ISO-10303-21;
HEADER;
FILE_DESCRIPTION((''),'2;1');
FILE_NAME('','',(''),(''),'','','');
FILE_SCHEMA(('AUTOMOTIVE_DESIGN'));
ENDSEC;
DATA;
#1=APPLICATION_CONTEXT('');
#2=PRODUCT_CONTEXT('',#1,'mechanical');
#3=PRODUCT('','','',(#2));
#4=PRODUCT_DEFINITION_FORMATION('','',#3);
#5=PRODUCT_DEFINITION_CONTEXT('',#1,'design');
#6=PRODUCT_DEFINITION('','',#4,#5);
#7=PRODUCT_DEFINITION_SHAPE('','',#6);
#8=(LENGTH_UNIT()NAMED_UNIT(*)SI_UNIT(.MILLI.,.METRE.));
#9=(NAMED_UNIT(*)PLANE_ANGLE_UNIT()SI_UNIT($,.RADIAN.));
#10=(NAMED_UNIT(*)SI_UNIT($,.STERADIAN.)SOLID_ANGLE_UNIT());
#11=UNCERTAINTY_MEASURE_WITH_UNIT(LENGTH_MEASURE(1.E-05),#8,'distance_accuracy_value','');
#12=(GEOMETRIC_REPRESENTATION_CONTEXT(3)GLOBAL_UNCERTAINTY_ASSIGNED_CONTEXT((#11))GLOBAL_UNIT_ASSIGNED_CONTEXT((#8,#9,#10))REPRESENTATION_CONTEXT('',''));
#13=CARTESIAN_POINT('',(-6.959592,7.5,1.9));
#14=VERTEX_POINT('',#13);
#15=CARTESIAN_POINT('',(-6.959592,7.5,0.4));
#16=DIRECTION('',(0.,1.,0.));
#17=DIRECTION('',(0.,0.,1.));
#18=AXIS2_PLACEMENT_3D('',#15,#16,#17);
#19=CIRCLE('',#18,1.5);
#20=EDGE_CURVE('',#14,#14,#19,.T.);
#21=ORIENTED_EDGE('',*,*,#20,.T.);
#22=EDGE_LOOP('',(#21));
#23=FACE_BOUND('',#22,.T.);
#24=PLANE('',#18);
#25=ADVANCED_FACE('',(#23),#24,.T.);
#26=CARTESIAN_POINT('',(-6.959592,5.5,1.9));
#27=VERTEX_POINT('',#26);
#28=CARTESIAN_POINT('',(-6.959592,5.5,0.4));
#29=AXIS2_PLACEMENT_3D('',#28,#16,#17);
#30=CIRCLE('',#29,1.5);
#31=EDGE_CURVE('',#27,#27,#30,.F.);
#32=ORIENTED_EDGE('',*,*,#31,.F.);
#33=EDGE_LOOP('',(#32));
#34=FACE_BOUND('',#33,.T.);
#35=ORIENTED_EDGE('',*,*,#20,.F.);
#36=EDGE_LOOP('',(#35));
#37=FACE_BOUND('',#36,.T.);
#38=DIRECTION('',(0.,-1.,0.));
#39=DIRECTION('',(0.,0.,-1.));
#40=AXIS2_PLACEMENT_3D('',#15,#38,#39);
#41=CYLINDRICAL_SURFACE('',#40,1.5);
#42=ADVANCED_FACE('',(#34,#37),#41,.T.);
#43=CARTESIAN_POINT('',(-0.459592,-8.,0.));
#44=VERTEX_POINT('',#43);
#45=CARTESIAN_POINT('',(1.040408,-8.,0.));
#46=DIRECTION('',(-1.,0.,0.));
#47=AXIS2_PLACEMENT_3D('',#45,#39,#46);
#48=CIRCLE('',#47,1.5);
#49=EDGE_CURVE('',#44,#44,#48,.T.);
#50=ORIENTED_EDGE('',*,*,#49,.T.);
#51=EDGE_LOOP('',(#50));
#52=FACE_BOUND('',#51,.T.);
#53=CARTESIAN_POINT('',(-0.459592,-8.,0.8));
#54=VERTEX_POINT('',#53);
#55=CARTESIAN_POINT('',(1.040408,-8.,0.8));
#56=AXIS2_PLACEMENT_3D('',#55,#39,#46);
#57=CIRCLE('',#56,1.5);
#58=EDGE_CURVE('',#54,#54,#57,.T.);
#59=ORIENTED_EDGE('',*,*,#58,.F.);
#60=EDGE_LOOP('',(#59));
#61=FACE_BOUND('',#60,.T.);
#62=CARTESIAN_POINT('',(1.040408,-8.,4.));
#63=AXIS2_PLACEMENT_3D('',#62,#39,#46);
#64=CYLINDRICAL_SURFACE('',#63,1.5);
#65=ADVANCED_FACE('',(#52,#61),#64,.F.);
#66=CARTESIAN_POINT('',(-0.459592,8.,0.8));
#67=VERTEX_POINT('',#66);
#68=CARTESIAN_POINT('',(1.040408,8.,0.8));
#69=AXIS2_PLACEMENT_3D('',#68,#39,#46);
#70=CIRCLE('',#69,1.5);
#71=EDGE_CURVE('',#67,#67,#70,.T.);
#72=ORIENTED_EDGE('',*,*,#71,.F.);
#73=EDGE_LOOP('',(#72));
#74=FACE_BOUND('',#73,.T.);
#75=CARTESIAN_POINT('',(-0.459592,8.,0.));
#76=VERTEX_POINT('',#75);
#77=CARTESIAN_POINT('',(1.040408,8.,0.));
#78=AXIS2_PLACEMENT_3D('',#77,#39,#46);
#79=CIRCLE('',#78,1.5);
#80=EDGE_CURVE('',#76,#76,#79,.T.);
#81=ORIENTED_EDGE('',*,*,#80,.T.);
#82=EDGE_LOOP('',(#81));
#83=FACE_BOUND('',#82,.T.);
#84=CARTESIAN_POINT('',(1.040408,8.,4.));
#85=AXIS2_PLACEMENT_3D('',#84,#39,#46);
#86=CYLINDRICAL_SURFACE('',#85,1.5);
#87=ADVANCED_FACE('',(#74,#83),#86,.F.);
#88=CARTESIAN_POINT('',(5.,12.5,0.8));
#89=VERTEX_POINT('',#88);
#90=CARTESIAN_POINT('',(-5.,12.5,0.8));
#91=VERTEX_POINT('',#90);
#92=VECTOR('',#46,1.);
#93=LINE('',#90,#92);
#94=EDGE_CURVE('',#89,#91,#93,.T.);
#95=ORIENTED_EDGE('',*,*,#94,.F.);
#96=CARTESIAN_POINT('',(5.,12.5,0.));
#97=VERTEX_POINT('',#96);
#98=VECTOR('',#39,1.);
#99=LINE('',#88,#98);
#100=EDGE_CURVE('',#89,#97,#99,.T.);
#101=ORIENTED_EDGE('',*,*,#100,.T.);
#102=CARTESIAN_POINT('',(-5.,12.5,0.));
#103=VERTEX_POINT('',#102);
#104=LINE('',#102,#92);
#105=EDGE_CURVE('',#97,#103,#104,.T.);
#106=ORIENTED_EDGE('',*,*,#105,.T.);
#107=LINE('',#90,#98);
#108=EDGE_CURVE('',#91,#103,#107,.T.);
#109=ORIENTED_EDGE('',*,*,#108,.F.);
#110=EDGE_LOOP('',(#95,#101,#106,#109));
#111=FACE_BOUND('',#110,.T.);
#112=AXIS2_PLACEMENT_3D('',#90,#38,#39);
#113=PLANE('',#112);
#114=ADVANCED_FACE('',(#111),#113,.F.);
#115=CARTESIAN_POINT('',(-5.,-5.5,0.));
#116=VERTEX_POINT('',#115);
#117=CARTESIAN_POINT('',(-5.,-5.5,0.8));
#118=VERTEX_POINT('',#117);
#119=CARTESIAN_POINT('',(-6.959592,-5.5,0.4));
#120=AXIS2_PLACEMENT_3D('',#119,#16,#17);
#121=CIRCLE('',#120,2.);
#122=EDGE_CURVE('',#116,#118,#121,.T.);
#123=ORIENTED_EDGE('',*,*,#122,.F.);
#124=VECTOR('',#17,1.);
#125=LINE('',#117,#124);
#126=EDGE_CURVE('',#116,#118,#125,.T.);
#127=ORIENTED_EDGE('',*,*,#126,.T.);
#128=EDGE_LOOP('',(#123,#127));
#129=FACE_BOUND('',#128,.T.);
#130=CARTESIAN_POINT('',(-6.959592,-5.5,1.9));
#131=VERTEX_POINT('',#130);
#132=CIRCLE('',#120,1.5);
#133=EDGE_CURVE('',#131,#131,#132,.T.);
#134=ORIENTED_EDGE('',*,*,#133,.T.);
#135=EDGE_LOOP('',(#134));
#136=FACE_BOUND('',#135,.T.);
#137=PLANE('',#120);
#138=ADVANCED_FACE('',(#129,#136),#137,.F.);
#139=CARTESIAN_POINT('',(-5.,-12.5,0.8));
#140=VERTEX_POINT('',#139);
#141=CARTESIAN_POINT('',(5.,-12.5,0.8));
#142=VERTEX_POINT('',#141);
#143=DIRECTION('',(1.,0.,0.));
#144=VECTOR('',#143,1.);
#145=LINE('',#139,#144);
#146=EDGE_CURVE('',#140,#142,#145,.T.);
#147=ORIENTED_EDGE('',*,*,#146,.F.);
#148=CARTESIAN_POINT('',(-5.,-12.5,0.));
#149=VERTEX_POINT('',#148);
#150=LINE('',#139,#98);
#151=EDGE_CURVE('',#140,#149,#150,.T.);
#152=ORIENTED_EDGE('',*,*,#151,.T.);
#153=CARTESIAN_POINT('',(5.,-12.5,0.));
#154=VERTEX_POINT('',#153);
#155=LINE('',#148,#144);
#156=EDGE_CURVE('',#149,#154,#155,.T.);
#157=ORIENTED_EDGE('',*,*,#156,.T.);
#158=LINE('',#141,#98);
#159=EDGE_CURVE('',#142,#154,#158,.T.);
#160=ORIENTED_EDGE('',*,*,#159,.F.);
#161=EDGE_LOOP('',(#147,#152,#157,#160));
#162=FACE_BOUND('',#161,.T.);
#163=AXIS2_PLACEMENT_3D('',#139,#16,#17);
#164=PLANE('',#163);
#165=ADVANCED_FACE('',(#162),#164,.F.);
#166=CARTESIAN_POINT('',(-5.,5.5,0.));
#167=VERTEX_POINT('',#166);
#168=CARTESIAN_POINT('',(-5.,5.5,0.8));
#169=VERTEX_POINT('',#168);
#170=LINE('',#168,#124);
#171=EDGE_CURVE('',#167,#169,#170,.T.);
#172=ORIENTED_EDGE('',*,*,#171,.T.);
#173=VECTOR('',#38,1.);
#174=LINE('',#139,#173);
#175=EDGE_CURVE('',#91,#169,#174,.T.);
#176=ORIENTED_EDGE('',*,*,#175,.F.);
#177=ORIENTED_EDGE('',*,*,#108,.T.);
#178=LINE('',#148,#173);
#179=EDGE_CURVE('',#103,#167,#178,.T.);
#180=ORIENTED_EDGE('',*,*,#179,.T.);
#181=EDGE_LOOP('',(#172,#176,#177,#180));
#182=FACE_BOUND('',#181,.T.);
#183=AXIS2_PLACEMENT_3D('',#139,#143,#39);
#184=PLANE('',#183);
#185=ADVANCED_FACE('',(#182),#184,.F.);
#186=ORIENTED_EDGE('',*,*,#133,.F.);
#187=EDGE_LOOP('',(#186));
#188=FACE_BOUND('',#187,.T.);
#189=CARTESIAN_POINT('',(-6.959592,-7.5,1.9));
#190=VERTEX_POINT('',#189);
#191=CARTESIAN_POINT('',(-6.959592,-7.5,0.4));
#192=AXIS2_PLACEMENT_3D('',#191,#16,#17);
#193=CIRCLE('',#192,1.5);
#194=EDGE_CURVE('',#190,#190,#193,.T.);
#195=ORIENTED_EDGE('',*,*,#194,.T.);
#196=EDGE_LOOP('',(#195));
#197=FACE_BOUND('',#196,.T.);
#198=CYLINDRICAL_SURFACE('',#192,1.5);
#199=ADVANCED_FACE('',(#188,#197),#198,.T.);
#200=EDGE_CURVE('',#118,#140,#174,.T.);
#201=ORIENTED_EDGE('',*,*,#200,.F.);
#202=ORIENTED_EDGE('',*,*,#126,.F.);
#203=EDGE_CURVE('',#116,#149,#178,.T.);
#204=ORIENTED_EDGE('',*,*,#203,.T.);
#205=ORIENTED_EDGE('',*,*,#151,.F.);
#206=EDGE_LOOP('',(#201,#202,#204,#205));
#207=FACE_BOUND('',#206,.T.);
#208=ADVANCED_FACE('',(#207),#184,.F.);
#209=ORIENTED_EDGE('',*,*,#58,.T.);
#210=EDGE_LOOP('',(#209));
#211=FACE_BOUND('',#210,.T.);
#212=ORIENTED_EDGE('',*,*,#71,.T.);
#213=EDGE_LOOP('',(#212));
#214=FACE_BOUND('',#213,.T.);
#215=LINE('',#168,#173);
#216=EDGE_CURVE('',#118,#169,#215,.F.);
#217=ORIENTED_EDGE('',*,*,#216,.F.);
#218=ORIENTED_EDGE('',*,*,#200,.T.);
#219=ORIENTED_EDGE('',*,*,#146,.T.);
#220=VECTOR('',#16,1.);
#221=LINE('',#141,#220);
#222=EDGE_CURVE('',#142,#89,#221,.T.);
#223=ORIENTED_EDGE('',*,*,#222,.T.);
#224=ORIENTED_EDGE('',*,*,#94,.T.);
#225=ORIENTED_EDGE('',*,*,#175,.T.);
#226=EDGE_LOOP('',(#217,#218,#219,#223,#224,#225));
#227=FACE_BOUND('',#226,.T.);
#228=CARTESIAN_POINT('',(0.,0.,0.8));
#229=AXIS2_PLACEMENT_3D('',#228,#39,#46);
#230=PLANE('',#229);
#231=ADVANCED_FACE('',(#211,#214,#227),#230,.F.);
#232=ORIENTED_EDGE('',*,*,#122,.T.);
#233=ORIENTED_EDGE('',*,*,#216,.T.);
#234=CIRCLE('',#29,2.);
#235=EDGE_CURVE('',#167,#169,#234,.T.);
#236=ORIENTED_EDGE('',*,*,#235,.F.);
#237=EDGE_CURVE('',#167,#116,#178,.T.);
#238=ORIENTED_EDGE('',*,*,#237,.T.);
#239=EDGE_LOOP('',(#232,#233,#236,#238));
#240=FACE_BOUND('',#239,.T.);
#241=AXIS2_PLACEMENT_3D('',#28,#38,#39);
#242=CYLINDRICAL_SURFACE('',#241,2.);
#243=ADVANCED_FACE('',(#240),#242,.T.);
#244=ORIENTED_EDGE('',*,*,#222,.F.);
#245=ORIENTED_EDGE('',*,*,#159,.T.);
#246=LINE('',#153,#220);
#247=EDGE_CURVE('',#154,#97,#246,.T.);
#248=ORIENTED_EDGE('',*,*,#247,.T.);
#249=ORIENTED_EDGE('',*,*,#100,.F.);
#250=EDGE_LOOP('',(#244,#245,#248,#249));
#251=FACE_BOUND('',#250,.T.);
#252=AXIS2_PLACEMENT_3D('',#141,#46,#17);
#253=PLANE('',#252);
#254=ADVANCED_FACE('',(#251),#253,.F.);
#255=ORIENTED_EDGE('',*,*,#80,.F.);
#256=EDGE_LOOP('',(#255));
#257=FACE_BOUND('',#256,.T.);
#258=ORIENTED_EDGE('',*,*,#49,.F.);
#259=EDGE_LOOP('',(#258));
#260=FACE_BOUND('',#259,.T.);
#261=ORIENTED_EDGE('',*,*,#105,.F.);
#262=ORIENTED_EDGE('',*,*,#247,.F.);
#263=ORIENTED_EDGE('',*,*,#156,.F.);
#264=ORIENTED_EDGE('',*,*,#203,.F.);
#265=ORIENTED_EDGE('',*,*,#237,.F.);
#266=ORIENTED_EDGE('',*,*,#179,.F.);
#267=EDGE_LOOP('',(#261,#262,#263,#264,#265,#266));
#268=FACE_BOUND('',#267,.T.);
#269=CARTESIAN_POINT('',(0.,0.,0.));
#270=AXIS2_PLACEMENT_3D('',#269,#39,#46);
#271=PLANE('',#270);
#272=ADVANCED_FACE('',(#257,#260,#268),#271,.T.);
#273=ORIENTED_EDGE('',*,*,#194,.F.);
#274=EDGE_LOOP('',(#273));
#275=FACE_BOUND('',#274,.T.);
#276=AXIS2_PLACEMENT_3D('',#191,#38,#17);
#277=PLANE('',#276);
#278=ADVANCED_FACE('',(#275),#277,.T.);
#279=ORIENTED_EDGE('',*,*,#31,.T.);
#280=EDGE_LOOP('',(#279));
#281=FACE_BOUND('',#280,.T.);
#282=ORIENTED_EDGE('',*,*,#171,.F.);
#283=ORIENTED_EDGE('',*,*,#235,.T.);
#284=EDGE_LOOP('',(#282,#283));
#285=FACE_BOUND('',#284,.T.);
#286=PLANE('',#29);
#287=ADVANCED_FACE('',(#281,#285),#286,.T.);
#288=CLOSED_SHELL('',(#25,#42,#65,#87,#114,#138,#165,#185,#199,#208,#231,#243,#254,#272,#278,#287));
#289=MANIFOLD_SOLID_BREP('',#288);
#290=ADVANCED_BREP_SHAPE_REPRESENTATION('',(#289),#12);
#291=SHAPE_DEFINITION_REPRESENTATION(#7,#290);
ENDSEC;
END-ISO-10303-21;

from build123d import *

# Parameters (mm, degrees)
SKETCH_1_W          = 10
SKETCH_1_H          = 25
EXTRUDE_1_DEPTH     = 0.8
SKETCH_4_R          = 2
EXTRUDE_2_DEPTH     = 5.5
SKETCH_5_R          = 1.5
EXTRUDE_3_DEPTH     = 2
SKETCH_6_R          = 1.5
CUT_EXTRUDE_1_DEPTH = 4


with BuildPart() as part:
    # 草图1 → 凸台-拉伸1 (new body)
    with BuildSketch(Plane.XY):
        Rectangle(SKETCH_1_W, SKETCH_1_H)
    extrude(amount=EXTRUDE_1_DEPTH)

    # 草图4 → 凸台-拉伸2 (add, symmetric)
    with BuildSketch(Plane(origin=(0, 0, 0), x_dir=(1, 0, 0), z_dir=(0, 1, 0))):
        with Locations((-6.959591794, -0.4)):
            Circle(SKETCH_4_R)
    extrude(amount=EXTRUDE_2_DEPTH, both=True)

    # 草图5 → 凸台-拉伸3 (add, symmetric)
    with BuildSketch(Plane(origin=(0, 5.5, 0), x_dir=(1, 0, 0), z_dir=(0, 1, 0))):
        with Locations(Location((-6.959591794, -0.4, 0), (0, 0, 270))):
            Circle(SKETCH_5_R)
    extrude_3 = extrude(amount=EXTRUDE_3_DEPTH, both=True)

    # 镜向1: 凸台-拉伸3 across plane
    add(extrude_3.mirror(Plane.ZX))

    # 草图6 → 切除-拉伸1 (cut)
    with BuildSketch(Plane(origin=(0, 0, 0), x_dir=(-1, 0, 0), z_dir=(0, 0, -1))):
        with Locations((-1.040408206, 8)):
            Circle(SKETCH_6_R)
        with Locations((-1.040408206, -8)):
            Circle(SKETCH_6_R)
    extrude(amount=-CUT_EXTRUDE_1_DEPTH, mode=Mode.SUBTRACT)


solid = part.part
